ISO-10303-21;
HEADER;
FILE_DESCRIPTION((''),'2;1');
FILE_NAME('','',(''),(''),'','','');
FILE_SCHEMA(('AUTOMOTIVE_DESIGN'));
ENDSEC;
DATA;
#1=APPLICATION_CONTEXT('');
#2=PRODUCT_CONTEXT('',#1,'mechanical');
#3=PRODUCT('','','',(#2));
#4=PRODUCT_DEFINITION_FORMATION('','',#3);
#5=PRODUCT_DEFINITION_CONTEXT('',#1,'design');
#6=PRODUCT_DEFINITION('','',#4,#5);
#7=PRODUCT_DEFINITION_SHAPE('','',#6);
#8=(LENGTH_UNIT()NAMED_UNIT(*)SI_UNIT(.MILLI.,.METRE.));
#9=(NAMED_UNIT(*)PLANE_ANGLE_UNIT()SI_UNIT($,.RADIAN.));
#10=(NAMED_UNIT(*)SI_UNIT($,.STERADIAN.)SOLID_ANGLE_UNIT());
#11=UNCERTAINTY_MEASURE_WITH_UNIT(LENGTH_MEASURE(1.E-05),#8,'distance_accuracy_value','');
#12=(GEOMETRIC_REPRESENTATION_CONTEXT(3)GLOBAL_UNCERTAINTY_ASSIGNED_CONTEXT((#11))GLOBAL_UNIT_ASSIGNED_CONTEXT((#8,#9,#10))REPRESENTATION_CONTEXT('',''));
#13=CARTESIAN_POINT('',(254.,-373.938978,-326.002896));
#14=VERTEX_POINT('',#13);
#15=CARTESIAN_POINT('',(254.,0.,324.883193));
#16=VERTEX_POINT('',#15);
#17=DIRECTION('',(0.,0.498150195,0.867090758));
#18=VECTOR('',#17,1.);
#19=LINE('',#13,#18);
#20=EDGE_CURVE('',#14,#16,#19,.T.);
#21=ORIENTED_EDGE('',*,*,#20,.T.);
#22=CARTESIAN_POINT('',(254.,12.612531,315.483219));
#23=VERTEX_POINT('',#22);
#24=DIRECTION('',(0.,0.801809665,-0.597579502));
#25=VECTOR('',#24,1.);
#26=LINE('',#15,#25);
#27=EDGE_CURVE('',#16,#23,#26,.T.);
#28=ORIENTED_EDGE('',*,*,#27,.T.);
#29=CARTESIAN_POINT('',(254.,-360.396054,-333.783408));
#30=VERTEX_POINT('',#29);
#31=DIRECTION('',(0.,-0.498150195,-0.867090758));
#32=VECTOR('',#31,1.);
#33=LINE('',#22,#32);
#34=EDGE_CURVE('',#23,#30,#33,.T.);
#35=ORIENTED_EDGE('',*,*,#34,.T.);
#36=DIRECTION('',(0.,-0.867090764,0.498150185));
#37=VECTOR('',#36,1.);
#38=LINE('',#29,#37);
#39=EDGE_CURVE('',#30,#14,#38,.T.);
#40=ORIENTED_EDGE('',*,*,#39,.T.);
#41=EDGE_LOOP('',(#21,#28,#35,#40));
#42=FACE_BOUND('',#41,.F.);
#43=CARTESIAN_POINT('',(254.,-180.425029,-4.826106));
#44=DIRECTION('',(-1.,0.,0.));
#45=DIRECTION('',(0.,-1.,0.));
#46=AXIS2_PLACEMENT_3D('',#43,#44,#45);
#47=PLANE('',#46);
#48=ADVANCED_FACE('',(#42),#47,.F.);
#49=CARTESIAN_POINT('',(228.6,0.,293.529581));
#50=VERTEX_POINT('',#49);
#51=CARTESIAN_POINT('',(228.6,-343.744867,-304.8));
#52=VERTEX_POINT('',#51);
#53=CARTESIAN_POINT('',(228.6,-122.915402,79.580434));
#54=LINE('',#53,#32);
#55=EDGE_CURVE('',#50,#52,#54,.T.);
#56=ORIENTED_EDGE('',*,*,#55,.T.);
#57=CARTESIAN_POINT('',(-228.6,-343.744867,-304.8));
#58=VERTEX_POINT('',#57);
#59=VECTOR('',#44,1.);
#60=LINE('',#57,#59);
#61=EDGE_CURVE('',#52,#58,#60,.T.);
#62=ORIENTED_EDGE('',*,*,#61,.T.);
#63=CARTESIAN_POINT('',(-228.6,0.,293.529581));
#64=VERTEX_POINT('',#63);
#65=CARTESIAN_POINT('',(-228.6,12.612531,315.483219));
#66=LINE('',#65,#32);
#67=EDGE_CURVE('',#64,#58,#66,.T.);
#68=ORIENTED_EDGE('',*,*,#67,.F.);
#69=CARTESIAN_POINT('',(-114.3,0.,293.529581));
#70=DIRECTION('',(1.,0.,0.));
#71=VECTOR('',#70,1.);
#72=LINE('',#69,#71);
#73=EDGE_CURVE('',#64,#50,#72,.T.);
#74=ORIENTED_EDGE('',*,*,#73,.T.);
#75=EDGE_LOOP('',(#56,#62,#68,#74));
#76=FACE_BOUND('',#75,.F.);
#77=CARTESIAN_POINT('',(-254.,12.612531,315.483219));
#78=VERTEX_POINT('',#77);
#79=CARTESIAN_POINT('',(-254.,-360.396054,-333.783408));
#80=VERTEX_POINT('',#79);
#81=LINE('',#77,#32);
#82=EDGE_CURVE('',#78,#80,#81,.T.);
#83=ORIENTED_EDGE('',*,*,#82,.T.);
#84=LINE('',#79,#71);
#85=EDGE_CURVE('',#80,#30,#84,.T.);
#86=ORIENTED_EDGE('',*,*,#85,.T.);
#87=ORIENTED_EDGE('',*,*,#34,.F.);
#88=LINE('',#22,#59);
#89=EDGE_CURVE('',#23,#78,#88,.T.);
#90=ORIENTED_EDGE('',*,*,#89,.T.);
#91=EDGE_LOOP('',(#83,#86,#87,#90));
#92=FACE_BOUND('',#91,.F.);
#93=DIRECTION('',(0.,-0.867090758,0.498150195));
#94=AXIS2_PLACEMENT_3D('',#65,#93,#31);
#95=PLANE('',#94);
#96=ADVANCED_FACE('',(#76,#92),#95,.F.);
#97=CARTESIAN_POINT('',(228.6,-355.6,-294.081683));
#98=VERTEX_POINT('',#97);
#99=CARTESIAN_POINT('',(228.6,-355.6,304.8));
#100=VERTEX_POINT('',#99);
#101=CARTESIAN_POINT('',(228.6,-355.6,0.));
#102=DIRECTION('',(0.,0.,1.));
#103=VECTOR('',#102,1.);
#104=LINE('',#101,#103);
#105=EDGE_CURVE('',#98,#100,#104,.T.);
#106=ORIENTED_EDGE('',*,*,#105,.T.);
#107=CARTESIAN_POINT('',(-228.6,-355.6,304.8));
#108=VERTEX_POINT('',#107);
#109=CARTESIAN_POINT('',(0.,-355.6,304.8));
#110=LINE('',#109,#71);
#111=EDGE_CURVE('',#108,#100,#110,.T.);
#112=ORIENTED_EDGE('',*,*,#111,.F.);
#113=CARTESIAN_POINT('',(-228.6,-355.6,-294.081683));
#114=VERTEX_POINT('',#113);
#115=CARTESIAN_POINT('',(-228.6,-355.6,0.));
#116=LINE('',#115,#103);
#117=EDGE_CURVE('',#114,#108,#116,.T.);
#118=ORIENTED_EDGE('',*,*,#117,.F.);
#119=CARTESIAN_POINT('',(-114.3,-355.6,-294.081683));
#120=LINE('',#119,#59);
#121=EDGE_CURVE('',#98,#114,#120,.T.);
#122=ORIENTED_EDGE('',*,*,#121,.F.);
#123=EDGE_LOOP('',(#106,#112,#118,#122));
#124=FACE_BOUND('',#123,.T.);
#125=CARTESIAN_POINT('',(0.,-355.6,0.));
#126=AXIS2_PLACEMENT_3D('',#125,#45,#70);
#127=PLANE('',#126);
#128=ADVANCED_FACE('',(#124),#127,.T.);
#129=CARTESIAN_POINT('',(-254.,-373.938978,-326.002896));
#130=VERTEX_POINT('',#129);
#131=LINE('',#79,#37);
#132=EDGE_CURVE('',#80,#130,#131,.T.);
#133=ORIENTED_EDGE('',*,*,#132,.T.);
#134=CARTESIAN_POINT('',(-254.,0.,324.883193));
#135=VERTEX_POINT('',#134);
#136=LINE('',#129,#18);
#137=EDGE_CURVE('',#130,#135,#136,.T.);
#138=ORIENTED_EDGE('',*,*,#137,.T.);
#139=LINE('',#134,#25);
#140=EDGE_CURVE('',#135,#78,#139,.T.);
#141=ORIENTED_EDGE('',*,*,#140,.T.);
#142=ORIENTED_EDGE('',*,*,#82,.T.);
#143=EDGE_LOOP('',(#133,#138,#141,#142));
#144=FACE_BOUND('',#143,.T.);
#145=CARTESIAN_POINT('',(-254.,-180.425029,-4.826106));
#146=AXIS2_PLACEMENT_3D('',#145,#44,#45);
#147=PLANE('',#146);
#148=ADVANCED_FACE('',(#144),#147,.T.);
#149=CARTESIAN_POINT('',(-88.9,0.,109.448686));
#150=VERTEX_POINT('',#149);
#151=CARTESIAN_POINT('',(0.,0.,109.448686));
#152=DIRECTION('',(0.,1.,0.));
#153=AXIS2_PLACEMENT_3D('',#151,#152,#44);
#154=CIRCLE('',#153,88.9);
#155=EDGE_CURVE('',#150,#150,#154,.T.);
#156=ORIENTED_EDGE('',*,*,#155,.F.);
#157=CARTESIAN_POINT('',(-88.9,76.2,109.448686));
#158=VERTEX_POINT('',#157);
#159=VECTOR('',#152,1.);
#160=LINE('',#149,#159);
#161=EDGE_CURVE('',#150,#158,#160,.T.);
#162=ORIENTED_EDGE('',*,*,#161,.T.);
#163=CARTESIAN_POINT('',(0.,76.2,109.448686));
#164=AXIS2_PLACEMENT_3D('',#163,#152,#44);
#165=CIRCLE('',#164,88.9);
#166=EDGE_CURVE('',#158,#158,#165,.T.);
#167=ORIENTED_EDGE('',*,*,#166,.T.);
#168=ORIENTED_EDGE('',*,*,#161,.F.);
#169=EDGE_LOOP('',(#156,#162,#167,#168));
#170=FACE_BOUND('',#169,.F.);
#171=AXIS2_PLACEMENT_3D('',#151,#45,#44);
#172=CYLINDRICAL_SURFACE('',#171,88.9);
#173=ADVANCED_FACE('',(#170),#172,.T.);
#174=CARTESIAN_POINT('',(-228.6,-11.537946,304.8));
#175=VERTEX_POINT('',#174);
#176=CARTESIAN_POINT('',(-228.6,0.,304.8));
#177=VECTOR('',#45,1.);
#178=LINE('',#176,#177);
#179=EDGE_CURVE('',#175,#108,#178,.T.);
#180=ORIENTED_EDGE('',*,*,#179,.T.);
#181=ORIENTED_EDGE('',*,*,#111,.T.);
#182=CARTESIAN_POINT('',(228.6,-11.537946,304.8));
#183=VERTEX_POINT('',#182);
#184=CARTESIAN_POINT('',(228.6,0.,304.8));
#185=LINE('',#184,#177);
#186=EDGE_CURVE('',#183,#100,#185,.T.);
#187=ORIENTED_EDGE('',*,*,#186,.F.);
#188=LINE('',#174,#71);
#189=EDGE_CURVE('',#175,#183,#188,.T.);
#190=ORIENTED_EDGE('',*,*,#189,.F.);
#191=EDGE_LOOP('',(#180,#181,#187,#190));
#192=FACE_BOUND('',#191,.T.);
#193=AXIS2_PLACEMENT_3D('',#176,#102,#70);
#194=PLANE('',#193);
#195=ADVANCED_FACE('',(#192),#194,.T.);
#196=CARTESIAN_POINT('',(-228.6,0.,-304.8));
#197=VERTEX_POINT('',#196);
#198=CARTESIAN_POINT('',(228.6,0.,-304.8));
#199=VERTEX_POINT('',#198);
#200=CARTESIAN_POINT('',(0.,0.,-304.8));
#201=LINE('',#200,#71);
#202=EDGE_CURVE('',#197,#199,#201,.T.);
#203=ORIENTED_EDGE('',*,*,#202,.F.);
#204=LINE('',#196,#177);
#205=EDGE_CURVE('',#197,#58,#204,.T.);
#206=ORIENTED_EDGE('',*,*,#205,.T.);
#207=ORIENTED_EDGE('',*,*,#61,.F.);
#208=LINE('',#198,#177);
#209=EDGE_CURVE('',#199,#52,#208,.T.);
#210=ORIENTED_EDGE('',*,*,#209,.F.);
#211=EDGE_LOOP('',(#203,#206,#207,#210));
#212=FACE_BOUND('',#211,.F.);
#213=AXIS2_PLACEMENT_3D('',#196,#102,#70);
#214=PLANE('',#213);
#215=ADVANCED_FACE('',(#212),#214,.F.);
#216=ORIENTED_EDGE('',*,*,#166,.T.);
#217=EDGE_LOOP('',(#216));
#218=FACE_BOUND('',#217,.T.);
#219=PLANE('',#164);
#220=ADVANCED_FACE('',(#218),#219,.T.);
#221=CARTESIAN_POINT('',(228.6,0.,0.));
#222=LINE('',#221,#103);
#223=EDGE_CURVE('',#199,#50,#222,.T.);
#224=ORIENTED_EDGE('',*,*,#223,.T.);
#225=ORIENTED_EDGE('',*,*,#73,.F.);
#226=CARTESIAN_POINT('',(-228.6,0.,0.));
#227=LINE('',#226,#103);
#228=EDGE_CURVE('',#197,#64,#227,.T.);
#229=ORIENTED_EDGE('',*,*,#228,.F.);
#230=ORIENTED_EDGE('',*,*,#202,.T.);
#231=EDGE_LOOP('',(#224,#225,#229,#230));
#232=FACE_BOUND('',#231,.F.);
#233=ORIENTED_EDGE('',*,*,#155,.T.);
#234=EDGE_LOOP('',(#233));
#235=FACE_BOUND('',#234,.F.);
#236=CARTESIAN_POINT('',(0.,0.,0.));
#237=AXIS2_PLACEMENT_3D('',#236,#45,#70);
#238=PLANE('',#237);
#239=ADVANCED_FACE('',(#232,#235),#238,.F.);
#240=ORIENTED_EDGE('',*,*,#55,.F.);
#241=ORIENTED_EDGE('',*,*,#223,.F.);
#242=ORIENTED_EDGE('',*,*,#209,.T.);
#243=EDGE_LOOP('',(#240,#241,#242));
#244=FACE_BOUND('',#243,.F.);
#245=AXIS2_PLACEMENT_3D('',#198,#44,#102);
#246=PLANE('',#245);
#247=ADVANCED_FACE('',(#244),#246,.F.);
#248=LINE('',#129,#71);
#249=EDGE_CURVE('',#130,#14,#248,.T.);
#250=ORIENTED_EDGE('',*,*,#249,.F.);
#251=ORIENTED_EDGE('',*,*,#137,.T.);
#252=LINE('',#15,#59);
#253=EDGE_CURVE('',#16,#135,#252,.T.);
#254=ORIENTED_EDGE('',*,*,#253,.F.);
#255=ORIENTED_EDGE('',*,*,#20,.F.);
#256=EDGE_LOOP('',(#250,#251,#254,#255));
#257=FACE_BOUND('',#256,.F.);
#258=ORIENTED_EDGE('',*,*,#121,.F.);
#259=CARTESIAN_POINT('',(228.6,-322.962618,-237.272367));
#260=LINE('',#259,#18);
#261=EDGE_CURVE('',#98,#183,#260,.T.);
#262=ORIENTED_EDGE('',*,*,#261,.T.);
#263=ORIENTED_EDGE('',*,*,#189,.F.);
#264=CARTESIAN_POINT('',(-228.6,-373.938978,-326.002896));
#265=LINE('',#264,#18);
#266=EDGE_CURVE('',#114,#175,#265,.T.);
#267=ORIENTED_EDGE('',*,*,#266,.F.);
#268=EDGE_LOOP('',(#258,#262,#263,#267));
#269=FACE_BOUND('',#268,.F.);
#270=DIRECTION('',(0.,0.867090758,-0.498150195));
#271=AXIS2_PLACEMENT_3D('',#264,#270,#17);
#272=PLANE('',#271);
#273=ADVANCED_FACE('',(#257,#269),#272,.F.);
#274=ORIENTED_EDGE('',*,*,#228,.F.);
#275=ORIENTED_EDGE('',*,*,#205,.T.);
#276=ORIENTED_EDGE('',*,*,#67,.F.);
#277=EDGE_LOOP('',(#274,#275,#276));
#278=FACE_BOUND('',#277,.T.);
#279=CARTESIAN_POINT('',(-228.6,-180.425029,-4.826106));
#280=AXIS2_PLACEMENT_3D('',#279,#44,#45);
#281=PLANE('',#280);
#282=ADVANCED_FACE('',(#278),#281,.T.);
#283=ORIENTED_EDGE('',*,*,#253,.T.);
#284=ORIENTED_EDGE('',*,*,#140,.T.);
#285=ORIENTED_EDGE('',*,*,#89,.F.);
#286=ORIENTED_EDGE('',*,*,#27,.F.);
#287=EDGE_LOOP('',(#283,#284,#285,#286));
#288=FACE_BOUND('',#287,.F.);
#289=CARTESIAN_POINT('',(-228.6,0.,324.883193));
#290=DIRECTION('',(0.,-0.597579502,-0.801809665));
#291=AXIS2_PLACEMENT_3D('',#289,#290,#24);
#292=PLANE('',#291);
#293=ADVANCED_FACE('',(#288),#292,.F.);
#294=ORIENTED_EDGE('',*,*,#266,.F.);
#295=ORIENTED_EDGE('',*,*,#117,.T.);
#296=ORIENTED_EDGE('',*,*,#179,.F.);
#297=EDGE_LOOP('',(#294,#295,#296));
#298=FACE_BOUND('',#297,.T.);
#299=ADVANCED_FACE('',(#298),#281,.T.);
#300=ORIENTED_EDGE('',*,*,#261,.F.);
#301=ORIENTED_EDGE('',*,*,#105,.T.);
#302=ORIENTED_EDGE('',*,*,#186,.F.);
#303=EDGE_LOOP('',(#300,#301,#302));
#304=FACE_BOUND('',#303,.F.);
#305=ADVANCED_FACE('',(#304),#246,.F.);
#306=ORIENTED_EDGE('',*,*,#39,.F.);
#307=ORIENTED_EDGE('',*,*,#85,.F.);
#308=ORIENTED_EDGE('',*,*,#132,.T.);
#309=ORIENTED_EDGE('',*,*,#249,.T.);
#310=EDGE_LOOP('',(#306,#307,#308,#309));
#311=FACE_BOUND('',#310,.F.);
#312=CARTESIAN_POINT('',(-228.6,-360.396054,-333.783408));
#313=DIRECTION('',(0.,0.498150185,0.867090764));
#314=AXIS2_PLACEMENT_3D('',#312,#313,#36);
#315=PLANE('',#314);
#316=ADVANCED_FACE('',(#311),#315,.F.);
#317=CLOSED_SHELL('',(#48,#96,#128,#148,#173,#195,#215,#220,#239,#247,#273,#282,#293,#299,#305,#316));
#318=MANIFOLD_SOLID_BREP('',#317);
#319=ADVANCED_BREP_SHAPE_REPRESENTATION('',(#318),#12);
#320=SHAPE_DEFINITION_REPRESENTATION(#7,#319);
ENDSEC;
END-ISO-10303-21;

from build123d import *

# Parameters (mm, degrees)
F0_W     = 457.2
F0_H     = 609.6
F1_DEPTH = 355.6
F3_DEPTH = 482.6
F5_DEPTH = 25.4
F6_R     = 88.9
F7_DEPTH = 76.2


with BuildPart() as f1:
    # F0 (on Front) → F1 (new body)
    with BuildSketch(Plane.XZ):
        Rectangle(F0_W, F0_H)
    extrude(amount=F1_DEPTH)

    # F2 (on face) → F3 (join)
    with BuildSketch(Plane(origin=(-228.6, 0, 0), x_dir=(0, -1, 0), z_dir=(-1, 0, 0))):
        Polygon((373.938978, -326.002896), (0, 324.883193), (-12.612531, 315.483219), (360.396054, -333.783408), align=None)
    extrude(amount=-F3_DEPTH)

    # F4 (on face) → F5 (join)
    with BuildSketch(Plane(origin=(-228.6, 0, 0), x_dir=(0, -1, 0), z_dir=(-1, 0, 0))):
        Polygon((373.938978, -326.002896), (0, 324.883193), (-12.612531, 315.483219), (360.396054, -333.783408), align=None)
    extrude(amount=F5_DEPTH)

    # F6 (on face) → F7 (join)
    with BuildSketch(Plane(origin=(0, 0, 0), x_dir=(-1, 0, 0), z_dir=(0, 1, 0))):
        with Locations((0, 109.448686)):
            Circle(F6_R)
    extrude(amount=F7_DEPTH)


solid = f1.part
